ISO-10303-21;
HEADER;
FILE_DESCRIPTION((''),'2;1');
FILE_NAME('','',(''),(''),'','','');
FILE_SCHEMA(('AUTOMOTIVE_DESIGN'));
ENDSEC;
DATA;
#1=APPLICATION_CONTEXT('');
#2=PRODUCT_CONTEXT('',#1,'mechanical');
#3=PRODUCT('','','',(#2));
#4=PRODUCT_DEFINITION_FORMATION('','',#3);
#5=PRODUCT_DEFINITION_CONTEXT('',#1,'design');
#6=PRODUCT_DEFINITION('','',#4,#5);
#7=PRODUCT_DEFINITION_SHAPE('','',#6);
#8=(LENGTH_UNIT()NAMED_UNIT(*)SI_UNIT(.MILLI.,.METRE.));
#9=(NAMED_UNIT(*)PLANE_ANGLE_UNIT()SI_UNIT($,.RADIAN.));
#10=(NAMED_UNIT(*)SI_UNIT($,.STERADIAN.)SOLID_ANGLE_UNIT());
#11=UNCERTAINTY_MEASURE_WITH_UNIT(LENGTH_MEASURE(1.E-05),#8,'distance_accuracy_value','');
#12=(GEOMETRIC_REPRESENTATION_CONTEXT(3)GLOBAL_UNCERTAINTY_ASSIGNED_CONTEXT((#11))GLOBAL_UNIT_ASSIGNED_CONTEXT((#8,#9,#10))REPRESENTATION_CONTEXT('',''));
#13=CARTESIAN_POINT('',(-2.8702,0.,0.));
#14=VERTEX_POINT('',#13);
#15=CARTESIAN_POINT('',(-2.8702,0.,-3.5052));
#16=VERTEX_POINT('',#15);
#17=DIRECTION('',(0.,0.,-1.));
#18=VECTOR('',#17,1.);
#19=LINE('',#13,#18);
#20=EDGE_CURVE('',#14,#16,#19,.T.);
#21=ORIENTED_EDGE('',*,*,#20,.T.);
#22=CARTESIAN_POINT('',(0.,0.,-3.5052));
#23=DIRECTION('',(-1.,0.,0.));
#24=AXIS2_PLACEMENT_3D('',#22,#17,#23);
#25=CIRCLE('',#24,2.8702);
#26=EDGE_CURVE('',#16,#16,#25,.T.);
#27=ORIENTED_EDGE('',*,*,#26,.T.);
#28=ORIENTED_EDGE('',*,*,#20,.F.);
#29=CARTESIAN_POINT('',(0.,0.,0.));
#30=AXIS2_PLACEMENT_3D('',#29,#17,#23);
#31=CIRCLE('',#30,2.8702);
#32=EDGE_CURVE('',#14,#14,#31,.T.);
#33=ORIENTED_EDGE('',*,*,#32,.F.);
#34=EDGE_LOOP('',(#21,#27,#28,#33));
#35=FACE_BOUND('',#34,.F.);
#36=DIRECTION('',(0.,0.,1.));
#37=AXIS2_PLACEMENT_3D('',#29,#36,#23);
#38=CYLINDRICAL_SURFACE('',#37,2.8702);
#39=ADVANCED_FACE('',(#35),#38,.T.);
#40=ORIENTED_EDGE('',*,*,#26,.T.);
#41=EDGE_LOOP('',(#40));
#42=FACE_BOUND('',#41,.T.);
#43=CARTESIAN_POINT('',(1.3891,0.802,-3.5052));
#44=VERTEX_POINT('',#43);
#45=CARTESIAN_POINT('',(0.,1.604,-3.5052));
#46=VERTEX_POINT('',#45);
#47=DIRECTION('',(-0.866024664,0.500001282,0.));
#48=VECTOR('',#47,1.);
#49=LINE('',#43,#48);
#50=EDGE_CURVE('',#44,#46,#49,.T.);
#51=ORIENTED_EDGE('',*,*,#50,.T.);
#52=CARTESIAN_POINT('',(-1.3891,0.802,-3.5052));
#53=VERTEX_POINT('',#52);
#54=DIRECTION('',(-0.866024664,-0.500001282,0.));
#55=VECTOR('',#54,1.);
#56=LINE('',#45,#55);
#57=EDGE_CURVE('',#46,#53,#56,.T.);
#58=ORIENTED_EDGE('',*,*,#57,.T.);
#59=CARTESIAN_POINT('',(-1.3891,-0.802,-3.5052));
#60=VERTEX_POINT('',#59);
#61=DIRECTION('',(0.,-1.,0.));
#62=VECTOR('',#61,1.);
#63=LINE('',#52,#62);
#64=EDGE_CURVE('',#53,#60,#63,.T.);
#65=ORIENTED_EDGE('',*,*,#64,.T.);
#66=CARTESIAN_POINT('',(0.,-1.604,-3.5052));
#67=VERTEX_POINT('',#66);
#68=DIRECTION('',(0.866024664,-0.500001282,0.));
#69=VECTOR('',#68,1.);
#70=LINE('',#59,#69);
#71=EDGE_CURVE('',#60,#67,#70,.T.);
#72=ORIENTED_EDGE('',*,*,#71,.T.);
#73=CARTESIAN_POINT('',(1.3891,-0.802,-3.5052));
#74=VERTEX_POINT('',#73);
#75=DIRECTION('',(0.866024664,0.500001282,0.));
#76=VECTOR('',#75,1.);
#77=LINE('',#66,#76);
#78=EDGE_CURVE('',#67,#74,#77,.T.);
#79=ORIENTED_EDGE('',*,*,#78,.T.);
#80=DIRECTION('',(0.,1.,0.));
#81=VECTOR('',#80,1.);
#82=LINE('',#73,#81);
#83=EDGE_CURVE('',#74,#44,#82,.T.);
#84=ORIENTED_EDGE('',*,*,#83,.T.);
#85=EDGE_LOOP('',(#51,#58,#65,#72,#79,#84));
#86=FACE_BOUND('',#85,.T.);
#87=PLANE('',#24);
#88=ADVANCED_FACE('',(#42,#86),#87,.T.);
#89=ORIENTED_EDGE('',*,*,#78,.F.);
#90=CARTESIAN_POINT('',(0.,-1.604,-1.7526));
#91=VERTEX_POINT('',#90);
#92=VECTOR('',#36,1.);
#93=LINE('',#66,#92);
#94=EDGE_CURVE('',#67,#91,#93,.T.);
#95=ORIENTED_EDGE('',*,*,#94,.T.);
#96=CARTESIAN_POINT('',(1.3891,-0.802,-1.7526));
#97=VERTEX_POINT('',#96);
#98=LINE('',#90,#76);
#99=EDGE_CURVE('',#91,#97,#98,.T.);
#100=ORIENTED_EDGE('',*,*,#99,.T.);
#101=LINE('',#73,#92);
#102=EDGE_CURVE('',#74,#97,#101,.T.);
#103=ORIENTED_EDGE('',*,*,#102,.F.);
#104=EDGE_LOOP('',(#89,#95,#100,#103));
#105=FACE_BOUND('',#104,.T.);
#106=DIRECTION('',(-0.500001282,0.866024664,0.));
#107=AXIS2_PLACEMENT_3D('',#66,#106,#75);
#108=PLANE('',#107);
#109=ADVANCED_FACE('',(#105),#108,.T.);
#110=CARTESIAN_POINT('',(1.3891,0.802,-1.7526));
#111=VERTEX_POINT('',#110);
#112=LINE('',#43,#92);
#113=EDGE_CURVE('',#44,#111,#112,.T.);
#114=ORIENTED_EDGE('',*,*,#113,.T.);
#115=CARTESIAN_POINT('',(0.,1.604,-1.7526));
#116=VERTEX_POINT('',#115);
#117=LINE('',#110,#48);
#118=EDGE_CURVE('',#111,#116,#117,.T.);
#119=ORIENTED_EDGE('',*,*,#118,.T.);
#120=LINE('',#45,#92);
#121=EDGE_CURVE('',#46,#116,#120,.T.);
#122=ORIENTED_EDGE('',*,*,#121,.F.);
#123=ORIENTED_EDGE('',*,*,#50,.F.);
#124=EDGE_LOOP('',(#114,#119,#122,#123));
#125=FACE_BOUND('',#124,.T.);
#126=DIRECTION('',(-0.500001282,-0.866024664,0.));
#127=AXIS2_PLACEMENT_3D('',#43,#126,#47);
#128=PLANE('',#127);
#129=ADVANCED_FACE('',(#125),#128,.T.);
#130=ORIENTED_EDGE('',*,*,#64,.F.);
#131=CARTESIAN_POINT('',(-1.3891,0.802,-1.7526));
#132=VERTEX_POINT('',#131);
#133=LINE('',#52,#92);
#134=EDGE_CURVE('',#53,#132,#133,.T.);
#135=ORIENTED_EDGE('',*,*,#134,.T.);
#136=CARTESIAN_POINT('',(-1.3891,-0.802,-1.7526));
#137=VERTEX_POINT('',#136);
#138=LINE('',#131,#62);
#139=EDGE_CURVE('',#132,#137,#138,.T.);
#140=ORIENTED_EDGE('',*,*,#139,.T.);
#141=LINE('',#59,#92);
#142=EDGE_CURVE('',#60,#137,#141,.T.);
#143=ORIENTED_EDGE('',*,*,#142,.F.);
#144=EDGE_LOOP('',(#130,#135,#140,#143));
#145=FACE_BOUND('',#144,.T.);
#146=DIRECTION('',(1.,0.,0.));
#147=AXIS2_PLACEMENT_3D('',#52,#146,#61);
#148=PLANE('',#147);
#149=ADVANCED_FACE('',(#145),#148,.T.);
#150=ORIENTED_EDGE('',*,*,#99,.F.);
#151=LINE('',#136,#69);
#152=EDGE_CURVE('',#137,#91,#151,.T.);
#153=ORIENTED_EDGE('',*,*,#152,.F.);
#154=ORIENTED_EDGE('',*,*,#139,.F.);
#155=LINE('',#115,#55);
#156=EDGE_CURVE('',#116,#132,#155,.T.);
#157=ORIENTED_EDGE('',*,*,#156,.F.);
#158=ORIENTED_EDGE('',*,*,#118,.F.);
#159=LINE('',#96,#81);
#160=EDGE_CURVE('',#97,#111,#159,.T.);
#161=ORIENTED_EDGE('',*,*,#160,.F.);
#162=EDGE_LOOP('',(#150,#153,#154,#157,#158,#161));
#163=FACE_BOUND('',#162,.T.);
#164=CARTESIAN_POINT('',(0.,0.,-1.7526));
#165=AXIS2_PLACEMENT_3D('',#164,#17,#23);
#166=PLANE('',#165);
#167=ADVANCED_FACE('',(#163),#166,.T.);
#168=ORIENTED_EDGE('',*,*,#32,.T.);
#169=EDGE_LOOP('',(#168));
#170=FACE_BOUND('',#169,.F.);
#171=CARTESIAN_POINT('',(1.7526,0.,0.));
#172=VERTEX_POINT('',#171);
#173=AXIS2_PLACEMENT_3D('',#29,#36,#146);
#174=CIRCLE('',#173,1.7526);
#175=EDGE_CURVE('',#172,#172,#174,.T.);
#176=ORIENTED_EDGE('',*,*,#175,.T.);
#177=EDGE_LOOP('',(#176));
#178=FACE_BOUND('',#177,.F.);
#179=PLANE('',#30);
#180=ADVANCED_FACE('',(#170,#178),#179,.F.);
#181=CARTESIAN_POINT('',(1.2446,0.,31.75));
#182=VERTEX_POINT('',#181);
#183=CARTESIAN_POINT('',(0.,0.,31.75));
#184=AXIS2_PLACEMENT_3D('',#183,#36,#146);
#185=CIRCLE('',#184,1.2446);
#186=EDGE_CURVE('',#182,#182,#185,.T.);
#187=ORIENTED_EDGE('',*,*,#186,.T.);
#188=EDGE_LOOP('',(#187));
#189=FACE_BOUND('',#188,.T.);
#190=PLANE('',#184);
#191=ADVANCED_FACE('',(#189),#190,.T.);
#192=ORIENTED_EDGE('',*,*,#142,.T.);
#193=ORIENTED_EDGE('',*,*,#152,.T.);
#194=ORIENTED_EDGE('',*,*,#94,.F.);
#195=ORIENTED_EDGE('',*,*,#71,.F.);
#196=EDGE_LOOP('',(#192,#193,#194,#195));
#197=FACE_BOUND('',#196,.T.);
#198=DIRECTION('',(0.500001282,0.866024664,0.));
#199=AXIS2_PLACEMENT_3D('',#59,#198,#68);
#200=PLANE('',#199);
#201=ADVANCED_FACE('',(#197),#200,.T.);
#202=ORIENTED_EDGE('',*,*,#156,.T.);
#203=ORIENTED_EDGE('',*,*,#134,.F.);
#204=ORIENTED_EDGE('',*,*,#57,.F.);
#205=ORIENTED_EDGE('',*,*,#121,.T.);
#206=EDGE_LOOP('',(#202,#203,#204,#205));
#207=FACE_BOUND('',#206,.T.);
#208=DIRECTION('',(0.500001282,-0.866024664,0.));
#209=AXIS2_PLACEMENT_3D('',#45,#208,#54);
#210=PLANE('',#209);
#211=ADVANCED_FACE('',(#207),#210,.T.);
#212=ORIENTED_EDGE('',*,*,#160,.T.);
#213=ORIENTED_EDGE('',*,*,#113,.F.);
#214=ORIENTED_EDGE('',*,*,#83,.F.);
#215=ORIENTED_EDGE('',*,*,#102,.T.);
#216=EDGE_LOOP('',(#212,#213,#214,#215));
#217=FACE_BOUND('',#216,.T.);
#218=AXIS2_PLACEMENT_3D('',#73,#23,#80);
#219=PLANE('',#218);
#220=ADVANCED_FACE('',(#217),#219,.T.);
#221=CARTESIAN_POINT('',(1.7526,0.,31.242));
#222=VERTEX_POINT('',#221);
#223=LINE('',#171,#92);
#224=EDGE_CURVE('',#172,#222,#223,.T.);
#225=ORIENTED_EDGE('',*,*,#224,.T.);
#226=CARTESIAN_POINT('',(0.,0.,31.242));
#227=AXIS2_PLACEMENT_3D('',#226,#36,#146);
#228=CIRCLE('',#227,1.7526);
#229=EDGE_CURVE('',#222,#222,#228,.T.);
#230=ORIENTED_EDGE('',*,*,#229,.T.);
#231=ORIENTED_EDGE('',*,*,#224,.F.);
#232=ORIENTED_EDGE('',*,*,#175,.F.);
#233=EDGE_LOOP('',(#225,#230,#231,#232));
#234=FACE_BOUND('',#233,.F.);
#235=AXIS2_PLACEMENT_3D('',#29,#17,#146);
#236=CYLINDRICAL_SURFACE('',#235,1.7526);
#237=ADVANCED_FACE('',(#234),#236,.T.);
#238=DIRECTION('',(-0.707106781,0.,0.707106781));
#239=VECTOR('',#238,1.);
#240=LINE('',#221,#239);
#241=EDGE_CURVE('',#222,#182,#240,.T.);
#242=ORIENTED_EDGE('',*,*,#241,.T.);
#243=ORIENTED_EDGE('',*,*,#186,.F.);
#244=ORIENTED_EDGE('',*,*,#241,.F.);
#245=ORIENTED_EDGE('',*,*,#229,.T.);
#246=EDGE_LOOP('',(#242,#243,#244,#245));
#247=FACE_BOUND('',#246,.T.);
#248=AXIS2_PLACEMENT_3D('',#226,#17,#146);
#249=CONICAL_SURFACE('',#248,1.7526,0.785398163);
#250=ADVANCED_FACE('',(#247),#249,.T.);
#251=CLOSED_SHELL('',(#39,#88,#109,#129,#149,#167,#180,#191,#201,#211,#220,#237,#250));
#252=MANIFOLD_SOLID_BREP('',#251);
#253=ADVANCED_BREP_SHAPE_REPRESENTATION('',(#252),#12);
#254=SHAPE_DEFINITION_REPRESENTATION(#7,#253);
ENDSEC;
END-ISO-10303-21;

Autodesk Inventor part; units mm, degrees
ref_plane "YZ Plane" through (0, 0, 0) normal (1, 0, 0) x (0, 1, 0)
ref_plane "XZ Plane" through (0, 0, 0) normal (0, 1, 0) x (-1, 0, 0)
ref_plane "XY Plane" through (0, 0, 0) normal (0, 0, 1) x (1, 0, 0)
sketch "Sketch1" plane through (0, 0, 0) normal (0, 0, 1) x (1, 0, 0)
  circle A0 centre (0, 0) radius 1.7526
  dimension "d0" = 3.5052
extrude "Extrusion1" add sketch "Sketch1" along normal blind 31.75
sketch "Sketch2" plane through (0, 0, 0) normal (0, 0, -1) x (-1, 0, 0)
  circle A0 centre (0, 0) radius 1.7526 construction
  circle A1 centre (0, 0) radius 2.8702
  dimension "d3" = 5.7404
extrude "Extrusion2" add sketch "Sketch2" along normal blind 3.5052
sketch "Sketch3" plane through (0, 0, -3.5052) normal (0, 0, -1) x (-1, 0, 0)
  circle A0 centre (0, 0) radius 2.8702 projected
  line L0 (0, 1.604) -> (1.3891, 0.802)
  line L1 (1.3891, 0.802) -> (1.3891, -0.802)
  line L2 (1.3891, -0.802) -> (0, -1.604)
  line L3 (0, -1.604) -> (-1.3891, -0.802)
  line L4 (-1.3891, -0.802) -> (-1.3891, 0.802)
  line L5 (-1.3891, 0.802) -> (0, 1.604)
  dimension "d6" = 2.7781
extrude "Extrusion3" cut sketch "Sketch3" against normal blind 1.7526 contours L0 L1 L2 L3 L4 L5
chamfer "Chamfer1" distance 0.508 angle 45 1 edges at (-1.7526, 0, 31.75)
thread "Thread2" size "6-32 UNC" class "2A" standard "ANSI Unified Screw Threads" length 25.4
properties part number "6-32 SHCS x1250" material "Stainless Steel"
